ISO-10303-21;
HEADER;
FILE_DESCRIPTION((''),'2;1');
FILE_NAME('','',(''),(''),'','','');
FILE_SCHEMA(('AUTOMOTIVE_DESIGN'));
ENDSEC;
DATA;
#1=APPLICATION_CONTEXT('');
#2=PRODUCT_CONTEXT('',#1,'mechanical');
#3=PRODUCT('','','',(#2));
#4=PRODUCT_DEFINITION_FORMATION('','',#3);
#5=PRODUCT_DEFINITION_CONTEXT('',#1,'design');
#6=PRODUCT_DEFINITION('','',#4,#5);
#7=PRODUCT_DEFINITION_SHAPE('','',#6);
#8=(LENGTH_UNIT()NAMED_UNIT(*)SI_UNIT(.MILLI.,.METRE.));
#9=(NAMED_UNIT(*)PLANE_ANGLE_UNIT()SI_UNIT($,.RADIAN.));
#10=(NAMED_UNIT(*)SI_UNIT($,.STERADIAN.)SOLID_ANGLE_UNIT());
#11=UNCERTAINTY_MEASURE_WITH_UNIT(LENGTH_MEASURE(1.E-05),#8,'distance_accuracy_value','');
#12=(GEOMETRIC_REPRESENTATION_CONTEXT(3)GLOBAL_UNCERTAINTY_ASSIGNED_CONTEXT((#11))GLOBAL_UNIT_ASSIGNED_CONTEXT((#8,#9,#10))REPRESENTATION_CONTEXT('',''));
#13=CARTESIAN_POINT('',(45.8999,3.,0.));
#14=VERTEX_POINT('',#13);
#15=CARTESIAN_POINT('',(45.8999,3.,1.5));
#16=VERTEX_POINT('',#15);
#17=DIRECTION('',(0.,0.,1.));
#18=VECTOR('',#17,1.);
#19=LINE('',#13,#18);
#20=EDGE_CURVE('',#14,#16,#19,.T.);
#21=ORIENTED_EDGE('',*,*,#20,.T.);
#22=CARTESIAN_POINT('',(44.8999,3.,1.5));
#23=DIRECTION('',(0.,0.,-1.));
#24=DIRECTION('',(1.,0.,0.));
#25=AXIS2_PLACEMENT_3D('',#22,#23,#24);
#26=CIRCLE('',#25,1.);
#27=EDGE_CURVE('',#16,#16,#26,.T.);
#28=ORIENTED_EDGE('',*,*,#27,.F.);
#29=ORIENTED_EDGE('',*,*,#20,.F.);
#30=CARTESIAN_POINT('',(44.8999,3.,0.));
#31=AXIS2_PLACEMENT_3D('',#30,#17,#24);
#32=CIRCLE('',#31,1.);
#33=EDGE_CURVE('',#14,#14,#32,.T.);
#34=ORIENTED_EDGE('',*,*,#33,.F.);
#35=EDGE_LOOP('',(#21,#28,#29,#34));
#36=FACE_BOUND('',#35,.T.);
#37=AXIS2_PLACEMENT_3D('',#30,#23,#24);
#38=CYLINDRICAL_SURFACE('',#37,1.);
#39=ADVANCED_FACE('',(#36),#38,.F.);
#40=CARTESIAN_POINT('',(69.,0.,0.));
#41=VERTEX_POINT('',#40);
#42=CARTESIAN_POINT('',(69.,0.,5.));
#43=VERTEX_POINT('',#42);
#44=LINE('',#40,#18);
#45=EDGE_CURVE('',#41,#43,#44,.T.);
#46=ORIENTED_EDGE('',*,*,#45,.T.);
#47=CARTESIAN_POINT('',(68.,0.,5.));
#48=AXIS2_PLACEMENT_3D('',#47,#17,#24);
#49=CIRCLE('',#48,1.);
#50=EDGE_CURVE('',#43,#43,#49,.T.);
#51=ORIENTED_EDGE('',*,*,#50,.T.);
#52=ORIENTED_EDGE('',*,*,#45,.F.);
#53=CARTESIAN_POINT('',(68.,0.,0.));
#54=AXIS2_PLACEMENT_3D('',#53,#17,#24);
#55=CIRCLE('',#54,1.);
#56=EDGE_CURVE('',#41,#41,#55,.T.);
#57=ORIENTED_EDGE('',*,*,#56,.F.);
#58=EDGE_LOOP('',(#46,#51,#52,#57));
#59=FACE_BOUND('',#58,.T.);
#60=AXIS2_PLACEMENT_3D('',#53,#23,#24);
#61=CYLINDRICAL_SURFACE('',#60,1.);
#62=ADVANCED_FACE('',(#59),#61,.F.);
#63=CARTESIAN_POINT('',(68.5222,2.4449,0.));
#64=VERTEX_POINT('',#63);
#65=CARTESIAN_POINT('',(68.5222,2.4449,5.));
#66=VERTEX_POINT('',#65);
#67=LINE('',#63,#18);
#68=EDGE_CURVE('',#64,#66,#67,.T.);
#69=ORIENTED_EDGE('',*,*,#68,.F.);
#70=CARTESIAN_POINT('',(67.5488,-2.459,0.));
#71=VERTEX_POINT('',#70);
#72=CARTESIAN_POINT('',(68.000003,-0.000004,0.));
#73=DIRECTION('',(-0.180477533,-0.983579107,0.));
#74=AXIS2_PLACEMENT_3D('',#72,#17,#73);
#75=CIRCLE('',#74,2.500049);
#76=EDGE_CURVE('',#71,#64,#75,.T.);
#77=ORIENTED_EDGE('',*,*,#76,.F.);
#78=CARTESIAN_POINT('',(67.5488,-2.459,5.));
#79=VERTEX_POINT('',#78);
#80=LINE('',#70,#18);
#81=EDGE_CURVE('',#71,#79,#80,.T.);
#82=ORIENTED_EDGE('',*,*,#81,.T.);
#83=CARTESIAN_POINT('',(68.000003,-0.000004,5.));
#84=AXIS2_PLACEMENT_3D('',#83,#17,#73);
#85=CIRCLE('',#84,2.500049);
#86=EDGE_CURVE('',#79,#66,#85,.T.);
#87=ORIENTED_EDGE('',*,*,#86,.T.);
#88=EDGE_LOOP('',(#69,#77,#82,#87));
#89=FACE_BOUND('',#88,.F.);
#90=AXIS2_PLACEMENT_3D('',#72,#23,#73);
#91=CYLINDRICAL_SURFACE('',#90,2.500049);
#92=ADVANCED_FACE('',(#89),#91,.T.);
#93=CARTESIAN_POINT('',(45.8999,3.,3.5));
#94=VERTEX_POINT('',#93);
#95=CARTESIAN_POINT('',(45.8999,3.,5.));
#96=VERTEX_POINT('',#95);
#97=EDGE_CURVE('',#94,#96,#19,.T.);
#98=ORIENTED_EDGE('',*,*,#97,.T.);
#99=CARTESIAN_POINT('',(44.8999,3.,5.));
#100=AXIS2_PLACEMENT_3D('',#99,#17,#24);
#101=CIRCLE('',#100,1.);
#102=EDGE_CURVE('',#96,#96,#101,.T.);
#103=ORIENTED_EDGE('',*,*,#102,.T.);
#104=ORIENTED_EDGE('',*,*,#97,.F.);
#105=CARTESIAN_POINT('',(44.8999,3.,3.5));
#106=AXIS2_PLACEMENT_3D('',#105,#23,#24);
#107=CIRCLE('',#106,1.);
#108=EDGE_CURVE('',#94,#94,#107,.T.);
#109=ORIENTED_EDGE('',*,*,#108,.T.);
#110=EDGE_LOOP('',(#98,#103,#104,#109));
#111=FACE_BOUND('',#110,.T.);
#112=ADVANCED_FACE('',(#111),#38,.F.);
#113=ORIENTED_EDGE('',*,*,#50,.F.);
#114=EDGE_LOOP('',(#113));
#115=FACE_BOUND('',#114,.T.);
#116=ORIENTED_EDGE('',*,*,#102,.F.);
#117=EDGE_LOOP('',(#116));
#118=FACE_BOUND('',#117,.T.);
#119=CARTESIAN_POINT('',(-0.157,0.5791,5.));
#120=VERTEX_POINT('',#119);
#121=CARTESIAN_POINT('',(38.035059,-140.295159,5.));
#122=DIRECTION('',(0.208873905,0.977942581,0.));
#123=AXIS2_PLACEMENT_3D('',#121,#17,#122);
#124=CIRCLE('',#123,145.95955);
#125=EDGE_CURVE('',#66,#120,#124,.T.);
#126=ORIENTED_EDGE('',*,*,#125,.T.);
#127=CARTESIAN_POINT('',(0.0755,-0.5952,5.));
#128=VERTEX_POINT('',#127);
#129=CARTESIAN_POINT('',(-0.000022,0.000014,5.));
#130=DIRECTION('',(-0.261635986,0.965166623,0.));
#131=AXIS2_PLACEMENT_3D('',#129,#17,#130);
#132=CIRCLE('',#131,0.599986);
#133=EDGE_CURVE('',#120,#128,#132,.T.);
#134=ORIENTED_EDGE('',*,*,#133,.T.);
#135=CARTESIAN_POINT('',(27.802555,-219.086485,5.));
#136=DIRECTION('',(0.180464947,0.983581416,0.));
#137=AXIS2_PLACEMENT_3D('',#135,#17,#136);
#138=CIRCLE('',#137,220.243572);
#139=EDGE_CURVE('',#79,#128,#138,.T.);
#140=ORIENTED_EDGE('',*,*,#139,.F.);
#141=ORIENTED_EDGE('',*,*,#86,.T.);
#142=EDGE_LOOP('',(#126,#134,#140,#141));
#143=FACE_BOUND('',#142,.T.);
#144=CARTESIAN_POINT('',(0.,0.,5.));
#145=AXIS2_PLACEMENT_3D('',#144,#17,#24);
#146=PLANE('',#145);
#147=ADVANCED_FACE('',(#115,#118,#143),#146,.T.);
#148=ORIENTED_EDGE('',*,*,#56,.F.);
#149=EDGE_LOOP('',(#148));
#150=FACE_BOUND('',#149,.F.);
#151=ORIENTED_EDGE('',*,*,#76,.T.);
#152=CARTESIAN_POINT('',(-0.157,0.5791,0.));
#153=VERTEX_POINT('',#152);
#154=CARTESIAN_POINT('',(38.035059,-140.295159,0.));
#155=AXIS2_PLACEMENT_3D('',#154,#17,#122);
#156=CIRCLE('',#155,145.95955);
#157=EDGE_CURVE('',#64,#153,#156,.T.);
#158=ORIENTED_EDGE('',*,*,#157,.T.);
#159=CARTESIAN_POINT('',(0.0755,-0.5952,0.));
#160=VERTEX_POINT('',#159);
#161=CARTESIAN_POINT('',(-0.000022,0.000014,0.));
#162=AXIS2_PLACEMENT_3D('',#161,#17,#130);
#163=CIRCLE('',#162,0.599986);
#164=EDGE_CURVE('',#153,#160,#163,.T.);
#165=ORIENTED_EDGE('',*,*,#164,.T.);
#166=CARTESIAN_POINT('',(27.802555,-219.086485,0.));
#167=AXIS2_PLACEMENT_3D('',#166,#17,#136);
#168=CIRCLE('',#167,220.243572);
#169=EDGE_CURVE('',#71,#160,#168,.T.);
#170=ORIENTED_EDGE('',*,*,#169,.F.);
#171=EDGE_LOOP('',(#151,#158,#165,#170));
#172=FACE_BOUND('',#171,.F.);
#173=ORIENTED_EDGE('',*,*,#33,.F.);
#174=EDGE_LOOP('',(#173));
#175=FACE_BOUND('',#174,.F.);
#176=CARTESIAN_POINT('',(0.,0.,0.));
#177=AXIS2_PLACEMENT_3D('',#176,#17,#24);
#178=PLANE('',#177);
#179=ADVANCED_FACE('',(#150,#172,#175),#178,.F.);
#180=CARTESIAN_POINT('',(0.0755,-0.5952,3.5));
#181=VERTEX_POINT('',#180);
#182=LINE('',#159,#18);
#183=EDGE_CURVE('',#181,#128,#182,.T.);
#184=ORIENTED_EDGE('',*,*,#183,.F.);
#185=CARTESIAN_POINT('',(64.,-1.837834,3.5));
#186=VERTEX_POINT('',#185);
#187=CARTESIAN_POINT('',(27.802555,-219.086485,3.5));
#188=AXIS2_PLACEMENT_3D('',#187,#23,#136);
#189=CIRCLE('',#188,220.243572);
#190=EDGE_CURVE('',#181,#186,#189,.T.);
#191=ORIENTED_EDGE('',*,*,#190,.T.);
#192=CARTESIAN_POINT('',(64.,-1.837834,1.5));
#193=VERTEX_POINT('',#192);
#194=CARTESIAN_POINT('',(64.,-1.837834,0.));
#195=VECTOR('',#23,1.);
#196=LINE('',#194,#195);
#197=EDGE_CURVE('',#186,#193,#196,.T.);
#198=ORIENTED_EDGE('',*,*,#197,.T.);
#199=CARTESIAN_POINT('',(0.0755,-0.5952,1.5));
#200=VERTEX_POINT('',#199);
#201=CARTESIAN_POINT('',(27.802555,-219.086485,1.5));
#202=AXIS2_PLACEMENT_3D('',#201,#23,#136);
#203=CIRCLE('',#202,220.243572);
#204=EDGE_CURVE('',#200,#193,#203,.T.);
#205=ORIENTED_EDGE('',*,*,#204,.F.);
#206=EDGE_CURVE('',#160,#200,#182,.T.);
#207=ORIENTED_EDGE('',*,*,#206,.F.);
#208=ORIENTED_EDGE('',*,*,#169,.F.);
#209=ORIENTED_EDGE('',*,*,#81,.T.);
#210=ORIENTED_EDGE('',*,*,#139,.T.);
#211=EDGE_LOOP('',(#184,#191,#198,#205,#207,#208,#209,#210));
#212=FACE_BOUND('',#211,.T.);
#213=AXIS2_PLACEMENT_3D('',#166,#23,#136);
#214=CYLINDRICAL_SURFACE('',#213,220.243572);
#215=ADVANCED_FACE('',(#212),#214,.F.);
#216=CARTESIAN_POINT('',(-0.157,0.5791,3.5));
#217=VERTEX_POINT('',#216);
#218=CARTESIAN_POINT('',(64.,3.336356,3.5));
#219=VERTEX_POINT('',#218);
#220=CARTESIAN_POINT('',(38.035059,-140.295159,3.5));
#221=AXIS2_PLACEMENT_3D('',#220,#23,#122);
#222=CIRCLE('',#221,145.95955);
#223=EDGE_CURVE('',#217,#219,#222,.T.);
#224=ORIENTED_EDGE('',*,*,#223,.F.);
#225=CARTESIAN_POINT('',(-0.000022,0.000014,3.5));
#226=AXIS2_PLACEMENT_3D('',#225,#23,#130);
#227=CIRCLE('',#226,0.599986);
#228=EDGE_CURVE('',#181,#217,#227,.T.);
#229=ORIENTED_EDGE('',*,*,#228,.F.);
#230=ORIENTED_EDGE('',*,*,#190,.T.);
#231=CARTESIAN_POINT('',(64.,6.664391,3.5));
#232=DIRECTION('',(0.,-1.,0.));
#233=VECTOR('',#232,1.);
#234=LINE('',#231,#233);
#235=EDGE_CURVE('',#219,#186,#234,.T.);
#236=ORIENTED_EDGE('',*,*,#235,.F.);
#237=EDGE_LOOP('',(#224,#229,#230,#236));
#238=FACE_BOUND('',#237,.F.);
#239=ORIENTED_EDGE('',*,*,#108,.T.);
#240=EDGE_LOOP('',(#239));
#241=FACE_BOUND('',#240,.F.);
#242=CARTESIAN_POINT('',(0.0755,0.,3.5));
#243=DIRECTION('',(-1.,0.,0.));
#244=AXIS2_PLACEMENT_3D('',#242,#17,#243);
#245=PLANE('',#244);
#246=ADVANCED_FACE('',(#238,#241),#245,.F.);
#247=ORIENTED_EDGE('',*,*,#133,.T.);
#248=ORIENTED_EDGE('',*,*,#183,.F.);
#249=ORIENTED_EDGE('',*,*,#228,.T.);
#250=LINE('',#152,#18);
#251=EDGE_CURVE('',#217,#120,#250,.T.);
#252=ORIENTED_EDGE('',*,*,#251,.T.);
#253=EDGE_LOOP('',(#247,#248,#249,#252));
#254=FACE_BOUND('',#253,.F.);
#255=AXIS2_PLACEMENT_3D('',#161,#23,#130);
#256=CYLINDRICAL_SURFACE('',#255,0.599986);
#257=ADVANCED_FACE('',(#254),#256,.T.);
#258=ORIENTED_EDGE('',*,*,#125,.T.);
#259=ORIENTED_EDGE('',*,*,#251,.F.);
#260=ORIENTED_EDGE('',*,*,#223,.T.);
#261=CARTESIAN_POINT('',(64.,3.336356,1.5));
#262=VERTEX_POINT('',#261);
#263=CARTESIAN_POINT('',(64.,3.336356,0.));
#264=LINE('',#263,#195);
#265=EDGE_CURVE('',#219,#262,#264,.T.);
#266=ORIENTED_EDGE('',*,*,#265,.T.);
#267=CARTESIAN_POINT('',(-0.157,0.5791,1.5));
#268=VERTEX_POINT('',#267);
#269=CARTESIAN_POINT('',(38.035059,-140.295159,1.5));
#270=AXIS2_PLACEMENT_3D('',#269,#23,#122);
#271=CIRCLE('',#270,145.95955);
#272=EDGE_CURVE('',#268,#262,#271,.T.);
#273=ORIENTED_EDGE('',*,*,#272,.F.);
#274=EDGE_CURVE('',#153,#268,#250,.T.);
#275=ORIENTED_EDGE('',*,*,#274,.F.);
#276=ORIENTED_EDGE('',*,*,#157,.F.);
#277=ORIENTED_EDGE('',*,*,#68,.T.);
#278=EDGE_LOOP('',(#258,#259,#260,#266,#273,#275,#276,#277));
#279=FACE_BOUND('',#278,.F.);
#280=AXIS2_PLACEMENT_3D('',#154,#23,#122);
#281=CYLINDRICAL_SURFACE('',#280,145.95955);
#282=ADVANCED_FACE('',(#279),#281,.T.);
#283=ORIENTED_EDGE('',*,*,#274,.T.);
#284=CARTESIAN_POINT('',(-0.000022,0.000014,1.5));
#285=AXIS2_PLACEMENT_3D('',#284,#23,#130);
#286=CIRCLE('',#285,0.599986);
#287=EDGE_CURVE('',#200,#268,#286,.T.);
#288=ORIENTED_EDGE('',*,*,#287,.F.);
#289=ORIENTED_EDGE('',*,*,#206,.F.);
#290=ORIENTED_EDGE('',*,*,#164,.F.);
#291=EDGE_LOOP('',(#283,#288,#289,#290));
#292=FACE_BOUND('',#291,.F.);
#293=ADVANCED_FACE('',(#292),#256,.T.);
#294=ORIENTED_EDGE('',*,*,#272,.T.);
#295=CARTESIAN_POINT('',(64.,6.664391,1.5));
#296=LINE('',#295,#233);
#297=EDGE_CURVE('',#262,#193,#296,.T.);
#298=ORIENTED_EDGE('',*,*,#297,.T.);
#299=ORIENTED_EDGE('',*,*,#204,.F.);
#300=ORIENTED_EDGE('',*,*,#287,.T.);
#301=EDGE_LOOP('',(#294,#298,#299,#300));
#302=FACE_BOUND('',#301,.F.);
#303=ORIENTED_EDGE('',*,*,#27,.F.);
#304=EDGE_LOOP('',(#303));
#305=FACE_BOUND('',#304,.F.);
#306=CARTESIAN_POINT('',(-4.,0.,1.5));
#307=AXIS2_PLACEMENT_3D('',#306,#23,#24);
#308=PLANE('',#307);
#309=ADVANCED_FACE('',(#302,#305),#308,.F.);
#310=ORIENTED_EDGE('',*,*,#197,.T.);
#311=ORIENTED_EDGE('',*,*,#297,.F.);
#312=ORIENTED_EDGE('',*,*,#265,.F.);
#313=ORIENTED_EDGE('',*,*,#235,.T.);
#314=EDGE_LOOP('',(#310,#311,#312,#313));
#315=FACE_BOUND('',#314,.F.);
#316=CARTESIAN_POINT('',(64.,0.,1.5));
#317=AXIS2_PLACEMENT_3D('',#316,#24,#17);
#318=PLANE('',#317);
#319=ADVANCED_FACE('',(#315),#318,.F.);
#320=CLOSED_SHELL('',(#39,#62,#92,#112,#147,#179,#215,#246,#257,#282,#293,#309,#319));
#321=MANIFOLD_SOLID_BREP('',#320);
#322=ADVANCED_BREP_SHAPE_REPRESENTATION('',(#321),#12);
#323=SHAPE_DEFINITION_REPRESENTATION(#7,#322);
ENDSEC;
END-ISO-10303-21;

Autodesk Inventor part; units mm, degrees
ref_plane "Work Plane1" through (0, 0, 0.75) normal (0, 0, 1) x (1, 0, 0)
ref_plane "YZ Plane" through (0, 0, 0) normal (1, 0, 0) x (0, 1, 0)
ref_plane "XZ Plane" through (0, 0, 0) normal (0, 1, 0) x (-1, 0, 0)
sketch "Sketch1" plane through (0, 0, 0) normal (0, 0, 1) x (1, 0, 0)
  circle A0 centre (68, 0) radius 1
  circle A1 centre (44.8999, 3) radius 1
  circle A2 centre (44.8999, 3) radius 2.5 construction
  arc A3 (-0.157, 0.5791) -> (0.0755, -0.5952) centre (0, 0) ccw
  arc A4 (68.5222, 2.4449) -> (-0.157, 0.5791) centre (38.035, -140.2958) ccw
  arc A5 (67.5488, -2.459) -> (0.0755, -0.5952) centre (27.8029, -219.0832) ccw
  arc A6 (67.5488, -2.459) -> (68.5222, 2.4449) centre (68, 0) ccw
  arc A7 (42.8188, 4.3853) -> (9.2918, 1.5821) centre (38.035, -140.2958) ccw
  arc A8 (42.6764, 1.8571) -> (9.2918, 1.5821) centre (27.8029, -219.0832) ccw
  arc A9 (42.8188, 4.3853) -> (42.6764, 1.8571) centre (44.8999, 3) ccw
  point P0 (44.8999, 6.5)
  dimension "d1" = 2
  dimension "d2" = 2
  dimension "d4" = 3
  dimension "d8" = 5
  dimension "d9" = 3.5
  dimension "d21" = 0.6
  dimension "d22" = 2.5
  dimension "d23" = 0
  dimension "d24" = 1.2
  dimension "d25" = 1.2
  dimension "d30" = 45
  dimension "d31" = 68
extrude "Extrusion1" add sketch "Sketch1" along normal blind 5 contours A4 A6 A5 A3 | A9 A8 A7
sketch "Sketch3" plane through (0, 0, 0) normal (0, 1, 0) x (-1, 0, 0)
  line L0 (4, 1.5) -> (-64, 1.5)
  line L1 (-64, 1.5) -> (-64, 3.5)
  line L2 (-64, 3.5) -> (4, 3.5)
  line L3 (4, 3.5) -> (4, 1.5)
  line L4 (-0.0755, 0) -> (-0.0755, 5) projected
  point P0 (0, 0)
  dimension "d34" = 1.5
  dimension "d35" = 4
  dimension "d36" = 2
  dimension "d37" = 68
extrude "Extrusion3" cut sketch "Sketch3" along normal through all both and the other way through all
properties part number "termite_beest_draft"
